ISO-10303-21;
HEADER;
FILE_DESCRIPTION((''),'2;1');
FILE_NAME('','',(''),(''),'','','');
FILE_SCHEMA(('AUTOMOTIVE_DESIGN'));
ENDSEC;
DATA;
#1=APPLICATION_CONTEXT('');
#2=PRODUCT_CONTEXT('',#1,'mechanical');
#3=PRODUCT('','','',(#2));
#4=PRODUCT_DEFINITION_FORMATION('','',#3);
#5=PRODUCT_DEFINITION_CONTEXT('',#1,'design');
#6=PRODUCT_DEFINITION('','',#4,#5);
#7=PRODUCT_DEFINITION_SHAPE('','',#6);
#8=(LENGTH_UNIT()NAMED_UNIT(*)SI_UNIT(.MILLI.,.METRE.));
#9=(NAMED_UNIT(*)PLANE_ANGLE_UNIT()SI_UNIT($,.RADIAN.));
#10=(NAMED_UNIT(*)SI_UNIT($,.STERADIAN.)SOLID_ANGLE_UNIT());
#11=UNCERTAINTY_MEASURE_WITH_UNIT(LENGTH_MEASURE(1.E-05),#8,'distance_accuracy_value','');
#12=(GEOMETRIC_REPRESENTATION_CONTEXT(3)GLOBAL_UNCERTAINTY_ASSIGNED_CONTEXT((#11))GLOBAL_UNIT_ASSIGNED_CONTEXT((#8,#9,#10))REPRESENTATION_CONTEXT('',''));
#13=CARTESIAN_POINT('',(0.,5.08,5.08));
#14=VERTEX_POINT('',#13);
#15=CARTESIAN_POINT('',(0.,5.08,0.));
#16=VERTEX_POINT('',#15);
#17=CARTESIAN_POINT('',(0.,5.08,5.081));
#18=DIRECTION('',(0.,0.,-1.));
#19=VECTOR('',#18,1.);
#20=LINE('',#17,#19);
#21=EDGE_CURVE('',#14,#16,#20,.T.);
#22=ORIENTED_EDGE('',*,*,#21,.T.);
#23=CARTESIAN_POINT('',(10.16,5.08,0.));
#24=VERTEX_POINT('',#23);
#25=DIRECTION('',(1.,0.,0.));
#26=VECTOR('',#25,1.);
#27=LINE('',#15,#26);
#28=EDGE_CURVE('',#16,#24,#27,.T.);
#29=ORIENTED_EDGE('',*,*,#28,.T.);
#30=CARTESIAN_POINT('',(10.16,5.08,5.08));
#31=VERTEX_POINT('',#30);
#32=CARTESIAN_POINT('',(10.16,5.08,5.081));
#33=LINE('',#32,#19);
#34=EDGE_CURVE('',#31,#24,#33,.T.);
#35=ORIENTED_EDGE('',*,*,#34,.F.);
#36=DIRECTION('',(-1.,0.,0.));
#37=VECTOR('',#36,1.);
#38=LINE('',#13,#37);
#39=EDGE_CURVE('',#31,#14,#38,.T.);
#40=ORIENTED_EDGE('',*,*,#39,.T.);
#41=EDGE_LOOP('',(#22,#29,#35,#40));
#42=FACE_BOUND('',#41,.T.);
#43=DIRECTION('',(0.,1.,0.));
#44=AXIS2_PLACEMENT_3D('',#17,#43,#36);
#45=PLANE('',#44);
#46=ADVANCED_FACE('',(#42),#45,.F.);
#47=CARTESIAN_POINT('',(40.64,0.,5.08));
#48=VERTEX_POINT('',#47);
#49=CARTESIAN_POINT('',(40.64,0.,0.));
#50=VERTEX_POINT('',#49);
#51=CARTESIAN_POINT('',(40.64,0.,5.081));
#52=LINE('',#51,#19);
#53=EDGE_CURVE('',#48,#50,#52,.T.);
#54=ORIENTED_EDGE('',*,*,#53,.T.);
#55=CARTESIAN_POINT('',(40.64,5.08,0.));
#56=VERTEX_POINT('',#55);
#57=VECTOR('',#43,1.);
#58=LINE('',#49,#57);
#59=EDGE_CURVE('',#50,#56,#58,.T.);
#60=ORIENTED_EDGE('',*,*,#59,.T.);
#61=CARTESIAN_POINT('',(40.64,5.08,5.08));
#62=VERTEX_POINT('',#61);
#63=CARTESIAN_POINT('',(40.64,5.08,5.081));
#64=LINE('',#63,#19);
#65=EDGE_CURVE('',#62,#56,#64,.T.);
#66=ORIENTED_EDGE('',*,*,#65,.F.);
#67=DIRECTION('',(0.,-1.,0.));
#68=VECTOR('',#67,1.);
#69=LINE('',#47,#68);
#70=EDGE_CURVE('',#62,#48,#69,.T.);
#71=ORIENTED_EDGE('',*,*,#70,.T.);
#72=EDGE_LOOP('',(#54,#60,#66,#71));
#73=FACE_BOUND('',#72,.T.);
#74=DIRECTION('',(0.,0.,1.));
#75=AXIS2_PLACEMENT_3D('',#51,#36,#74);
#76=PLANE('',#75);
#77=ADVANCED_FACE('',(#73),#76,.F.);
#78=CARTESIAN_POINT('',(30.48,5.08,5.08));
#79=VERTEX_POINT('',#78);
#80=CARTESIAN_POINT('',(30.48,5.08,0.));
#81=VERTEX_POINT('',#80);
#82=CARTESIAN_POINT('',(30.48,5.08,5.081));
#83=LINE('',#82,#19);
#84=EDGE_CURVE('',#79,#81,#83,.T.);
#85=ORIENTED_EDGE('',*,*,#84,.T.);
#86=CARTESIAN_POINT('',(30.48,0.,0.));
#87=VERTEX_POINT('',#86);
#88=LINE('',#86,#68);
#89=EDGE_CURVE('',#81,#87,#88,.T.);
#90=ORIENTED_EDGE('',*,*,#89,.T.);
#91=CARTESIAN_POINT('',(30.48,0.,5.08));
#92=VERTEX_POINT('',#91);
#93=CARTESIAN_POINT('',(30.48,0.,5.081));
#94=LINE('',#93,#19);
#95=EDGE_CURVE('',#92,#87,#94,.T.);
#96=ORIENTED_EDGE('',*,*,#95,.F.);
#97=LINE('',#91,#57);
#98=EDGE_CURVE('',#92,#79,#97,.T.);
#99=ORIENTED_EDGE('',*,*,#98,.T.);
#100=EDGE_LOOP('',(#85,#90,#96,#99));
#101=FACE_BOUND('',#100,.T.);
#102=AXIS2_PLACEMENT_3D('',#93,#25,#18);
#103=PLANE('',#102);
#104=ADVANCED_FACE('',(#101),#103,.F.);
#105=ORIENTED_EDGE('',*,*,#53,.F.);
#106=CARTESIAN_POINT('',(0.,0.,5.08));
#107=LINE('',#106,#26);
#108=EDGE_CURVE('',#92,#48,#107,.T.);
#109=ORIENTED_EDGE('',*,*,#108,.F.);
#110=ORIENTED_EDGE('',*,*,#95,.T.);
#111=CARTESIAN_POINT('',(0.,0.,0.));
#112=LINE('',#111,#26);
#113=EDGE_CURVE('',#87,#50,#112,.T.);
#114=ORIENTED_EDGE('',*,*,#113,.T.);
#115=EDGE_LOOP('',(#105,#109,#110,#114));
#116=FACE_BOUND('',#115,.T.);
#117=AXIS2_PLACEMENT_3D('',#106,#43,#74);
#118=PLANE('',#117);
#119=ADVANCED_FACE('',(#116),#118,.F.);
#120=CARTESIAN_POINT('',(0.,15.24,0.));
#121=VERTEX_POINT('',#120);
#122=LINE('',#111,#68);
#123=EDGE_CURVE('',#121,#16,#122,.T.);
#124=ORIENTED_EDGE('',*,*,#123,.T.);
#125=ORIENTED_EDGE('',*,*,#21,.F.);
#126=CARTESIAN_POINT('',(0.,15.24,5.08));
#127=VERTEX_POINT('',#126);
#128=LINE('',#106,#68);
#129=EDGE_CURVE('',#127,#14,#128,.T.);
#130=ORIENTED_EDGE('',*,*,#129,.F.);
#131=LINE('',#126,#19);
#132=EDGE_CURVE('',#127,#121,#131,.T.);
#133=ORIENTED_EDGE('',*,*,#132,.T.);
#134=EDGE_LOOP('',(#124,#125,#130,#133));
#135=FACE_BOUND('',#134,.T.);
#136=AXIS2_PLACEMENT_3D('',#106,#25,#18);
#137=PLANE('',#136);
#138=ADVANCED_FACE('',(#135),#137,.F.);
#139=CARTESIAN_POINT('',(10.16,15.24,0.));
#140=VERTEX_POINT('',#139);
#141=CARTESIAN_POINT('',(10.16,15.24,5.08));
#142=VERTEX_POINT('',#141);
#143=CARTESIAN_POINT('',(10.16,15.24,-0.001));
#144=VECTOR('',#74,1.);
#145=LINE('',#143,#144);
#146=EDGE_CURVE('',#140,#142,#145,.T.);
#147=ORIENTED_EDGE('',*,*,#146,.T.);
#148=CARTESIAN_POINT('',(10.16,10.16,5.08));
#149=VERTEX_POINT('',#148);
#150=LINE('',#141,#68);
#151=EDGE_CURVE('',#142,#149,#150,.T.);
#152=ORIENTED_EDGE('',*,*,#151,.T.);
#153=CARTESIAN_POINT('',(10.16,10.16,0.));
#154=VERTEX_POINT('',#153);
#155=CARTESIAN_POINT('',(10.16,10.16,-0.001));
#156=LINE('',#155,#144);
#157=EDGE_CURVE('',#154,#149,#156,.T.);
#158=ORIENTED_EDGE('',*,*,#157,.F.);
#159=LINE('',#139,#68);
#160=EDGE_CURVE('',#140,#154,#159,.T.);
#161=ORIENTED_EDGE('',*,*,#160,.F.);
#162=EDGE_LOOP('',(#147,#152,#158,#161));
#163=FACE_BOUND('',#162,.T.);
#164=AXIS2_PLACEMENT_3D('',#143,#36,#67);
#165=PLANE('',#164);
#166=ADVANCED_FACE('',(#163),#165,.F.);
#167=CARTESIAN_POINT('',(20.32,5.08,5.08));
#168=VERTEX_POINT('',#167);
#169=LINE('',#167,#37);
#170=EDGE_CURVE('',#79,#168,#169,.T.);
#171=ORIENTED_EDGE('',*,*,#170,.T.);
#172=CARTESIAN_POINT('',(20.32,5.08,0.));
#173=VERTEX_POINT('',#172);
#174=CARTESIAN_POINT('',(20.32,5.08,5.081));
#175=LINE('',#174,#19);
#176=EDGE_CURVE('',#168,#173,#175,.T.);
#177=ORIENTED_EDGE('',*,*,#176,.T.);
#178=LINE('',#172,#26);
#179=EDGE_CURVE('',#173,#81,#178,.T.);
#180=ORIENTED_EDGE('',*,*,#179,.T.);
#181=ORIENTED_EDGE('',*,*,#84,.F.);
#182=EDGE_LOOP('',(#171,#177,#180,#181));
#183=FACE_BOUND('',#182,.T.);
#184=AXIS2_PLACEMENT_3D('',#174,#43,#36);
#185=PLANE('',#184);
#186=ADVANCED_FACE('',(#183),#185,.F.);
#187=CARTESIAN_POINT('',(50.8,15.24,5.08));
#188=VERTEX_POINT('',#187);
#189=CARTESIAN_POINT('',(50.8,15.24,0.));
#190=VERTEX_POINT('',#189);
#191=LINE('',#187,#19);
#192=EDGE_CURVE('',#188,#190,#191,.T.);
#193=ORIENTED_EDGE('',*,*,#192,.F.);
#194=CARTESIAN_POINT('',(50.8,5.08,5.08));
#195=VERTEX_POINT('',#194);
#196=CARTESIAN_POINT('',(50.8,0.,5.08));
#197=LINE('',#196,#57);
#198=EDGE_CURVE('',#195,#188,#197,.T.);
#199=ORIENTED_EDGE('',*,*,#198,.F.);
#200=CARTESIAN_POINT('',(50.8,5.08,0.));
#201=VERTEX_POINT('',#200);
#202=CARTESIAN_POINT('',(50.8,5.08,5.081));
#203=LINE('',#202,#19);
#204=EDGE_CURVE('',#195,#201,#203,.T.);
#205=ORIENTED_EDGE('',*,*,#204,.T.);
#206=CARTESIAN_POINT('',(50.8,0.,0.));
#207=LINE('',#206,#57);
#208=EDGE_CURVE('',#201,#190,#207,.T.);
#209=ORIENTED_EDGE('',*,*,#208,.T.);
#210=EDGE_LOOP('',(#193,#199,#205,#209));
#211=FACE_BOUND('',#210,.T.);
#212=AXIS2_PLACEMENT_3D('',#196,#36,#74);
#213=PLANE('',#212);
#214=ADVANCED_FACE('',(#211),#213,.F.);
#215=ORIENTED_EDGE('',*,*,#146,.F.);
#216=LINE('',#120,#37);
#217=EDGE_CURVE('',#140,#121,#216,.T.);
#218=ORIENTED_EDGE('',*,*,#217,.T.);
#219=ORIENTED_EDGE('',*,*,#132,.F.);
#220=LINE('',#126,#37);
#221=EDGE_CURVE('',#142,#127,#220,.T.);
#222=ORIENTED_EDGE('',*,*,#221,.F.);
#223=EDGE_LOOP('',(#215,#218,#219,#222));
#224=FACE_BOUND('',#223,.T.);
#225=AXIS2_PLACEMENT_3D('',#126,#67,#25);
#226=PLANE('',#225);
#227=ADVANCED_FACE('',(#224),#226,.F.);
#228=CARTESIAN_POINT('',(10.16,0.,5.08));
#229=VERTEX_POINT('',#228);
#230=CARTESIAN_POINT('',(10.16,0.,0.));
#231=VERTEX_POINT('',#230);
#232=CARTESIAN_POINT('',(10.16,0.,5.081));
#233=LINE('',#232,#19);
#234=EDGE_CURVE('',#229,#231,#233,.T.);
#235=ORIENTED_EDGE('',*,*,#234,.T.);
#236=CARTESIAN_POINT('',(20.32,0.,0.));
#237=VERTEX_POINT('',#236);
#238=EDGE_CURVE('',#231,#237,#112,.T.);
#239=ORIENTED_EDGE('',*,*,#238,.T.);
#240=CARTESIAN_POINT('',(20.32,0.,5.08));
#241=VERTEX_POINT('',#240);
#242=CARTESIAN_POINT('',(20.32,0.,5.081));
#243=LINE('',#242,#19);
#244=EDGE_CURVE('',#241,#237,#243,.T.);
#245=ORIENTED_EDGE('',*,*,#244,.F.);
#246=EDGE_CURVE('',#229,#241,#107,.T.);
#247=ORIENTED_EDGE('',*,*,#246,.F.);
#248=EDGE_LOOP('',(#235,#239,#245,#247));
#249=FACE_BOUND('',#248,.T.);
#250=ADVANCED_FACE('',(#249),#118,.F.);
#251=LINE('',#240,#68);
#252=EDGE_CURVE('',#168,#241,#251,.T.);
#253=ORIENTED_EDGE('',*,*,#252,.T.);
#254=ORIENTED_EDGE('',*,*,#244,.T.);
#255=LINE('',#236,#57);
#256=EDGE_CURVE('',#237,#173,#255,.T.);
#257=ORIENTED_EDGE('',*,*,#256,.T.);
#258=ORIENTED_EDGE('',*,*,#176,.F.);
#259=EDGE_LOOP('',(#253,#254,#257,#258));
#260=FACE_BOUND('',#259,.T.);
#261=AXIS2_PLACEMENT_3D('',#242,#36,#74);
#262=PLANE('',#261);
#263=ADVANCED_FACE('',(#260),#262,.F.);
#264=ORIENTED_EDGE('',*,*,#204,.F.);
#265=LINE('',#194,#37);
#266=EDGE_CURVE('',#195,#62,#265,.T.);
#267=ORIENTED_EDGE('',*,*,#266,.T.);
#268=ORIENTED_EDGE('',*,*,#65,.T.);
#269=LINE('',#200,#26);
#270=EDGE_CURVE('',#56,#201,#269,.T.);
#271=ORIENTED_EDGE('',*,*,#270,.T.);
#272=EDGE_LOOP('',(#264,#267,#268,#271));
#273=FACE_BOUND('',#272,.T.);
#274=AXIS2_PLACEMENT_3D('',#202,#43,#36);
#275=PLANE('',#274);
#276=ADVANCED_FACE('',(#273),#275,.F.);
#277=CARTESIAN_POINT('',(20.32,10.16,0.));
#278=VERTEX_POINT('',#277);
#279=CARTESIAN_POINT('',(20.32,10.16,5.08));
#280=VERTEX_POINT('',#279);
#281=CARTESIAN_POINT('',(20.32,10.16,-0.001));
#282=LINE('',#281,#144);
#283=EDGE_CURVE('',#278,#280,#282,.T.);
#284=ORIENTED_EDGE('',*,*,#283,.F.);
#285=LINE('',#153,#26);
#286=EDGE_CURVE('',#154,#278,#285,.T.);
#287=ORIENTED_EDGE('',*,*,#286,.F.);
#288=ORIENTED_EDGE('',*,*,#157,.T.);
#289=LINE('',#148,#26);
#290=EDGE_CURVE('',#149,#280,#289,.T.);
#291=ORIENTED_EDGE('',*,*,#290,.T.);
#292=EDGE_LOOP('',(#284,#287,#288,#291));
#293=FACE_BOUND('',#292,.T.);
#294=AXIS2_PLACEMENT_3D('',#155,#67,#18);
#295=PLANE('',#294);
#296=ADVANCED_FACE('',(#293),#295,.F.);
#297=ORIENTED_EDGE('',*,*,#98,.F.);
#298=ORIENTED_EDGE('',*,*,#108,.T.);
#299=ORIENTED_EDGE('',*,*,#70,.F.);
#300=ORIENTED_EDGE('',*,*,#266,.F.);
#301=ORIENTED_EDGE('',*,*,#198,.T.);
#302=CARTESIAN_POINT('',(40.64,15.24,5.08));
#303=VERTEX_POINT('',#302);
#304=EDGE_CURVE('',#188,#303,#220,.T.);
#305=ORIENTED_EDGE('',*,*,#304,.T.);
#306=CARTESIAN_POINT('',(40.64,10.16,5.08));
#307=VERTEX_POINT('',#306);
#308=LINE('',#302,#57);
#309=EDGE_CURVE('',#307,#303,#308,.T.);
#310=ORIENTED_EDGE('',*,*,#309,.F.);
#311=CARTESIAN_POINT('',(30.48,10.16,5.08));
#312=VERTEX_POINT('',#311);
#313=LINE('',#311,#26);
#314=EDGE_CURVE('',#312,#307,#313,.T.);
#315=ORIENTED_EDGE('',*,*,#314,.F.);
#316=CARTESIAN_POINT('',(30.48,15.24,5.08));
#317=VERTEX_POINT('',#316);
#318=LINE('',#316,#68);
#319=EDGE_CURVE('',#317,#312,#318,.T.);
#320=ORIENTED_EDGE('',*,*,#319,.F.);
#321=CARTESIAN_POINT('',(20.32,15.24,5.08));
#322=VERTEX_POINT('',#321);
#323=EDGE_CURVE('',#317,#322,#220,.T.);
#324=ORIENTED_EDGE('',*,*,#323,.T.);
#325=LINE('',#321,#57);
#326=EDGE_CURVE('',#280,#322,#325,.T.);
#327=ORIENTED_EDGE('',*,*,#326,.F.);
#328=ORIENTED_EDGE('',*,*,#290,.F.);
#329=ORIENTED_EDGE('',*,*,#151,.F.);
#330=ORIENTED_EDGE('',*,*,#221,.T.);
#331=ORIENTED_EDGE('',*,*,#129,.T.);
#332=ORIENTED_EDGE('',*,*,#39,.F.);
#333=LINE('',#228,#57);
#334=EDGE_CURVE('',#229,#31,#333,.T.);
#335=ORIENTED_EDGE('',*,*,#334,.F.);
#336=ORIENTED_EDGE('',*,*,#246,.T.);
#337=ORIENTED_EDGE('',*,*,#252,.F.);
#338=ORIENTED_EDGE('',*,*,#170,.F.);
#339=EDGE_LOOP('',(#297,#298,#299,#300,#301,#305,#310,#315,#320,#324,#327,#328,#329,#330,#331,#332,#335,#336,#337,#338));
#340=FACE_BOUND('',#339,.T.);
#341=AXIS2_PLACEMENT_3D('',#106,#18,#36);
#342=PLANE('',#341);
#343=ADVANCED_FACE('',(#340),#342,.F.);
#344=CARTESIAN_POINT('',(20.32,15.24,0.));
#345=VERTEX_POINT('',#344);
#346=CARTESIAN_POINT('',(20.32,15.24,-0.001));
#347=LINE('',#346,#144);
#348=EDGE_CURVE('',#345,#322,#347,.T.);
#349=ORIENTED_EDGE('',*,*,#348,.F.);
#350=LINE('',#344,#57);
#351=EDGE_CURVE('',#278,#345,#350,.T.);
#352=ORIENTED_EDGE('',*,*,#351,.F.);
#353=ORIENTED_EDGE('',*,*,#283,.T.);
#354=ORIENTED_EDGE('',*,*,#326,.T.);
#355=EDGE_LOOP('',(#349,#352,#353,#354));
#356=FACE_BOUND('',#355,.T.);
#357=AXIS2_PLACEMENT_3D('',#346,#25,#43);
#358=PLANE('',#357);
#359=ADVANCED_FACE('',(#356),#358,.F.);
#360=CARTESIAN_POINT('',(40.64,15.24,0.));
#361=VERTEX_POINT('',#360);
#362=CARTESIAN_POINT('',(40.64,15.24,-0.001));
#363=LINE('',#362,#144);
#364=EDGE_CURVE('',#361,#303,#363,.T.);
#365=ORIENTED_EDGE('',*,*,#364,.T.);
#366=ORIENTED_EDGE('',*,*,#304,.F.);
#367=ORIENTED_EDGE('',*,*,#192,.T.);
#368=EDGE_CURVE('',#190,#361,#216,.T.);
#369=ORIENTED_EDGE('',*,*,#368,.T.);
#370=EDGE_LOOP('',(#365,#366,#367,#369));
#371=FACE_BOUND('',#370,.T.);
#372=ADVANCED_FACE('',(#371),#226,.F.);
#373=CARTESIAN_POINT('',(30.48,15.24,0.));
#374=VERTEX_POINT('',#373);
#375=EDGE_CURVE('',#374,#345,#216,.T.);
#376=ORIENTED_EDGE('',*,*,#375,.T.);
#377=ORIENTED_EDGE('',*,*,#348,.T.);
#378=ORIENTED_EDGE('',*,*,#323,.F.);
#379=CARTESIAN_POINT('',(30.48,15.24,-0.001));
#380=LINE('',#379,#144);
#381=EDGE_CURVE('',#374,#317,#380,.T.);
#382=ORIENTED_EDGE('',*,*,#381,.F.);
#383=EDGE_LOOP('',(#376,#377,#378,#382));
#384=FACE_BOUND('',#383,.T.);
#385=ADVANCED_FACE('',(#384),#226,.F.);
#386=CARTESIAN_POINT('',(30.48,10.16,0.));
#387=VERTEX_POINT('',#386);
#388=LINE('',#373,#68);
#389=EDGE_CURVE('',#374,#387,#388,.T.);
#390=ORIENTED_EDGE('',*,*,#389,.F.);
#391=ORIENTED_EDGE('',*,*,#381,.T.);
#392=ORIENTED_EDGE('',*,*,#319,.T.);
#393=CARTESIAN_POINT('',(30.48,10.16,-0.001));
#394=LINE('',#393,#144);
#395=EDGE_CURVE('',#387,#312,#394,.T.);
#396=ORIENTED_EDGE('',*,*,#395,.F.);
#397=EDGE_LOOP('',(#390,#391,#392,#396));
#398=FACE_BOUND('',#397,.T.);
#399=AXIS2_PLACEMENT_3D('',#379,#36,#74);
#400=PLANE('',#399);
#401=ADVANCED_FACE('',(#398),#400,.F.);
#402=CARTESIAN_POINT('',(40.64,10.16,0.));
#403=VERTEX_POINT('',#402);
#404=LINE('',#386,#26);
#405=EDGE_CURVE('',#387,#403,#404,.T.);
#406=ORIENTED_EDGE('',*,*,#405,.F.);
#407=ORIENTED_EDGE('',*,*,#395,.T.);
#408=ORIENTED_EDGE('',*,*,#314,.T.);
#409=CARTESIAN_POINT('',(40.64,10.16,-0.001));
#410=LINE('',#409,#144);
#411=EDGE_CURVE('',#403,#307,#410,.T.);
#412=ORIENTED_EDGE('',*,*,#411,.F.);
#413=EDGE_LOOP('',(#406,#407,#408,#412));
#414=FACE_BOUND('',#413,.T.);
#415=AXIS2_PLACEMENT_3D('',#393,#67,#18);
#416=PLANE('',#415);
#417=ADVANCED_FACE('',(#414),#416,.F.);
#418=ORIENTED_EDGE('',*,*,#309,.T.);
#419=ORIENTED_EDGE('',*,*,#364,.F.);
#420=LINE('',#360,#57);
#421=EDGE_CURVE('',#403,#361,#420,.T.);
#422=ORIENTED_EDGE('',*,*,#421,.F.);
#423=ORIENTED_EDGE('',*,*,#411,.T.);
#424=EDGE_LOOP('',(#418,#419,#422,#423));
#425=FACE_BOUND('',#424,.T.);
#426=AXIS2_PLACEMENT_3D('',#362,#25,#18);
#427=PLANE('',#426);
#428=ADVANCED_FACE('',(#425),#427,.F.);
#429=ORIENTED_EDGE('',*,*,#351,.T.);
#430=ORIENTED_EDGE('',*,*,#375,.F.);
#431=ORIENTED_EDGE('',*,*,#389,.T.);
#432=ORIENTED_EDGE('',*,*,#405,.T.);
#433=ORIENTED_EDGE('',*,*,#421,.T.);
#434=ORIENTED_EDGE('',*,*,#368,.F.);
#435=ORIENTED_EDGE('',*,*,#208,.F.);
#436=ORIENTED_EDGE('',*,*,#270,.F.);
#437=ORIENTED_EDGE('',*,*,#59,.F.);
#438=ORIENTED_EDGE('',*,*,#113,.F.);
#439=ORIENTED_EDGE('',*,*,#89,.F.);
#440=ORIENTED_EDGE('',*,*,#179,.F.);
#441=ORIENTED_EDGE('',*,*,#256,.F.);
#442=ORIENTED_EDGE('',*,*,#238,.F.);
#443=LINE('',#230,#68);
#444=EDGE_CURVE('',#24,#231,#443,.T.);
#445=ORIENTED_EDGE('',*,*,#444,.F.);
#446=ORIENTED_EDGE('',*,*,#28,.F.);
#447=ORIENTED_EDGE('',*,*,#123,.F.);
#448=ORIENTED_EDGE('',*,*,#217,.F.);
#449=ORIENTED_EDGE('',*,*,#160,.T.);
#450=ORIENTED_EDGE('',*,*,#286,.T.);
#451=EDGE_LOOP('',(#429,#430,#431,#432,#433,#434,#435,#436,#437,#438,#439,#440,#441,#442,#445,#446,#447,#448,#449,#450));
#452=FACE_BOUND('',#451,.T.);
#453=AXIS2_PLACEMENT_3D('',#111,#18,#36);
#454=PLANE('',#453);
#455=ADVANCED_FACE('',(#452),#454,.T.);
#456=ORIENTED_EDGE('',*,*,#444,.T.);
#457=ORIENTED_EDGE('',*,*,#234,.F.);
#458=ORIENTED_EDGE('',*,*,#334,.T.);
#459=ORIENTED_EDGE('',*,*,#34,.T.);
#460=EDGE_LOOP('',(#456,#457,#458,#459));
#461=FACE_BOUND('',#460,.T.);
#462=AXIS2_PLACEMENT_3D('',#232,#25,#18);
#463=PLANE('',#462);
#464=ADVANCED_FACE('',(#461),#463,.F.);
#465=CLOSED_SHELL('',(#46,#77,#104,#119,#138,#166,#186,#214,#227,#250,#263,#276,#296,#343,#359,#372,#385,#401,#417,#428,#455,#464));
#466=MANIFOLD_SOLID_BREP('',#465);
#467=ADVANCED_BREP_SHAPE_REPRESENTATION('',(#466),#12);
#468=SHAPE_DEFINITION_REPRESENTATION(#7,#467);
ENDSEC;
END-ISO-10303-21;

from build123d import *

# Parameters (mm, degrees)
SKETCH1_W           = 50.8
SKETCH1_H           = 15.24
BOSS_EXTRUDE1_DEPTH = 5.08
CUT_EXTRUDE2_REACH  = 7.08
SKETCH3_W           = 10.16
SKETCH3_H           = 5.08
CUT_EXTRUDE3_REACH  = 7.08
SKETCH4_W           = 10.16
SKETCH4_H           = 5.08


with BuildPart() as part:
    # Sketch1 → Boss-Extrude1 (new body)
    with BuildSketch(Plane.XY):
        with Locations((25.4, 7.62)):
            Rectangle(SKETCH1_W, SKETCH1_H)
    extrude(amount=BOSS_EXTRUDE1_DEPTH)

    # Sketch3 → Cut-Extrude2 (cut, up to next)
    with BuildSketch(Plane(origin=(0, 0, 0), x_dir=(-1, 0, 0), z_dir=(0, 0, -1)), mode=Mode.PRIVATE) as cut_extrude2_sk1:
        with Locations((-5.08, 2.54)):
            Rectangle(SKETCH3_W, SKETCH3_H)
    cut_extrude2_tool1 = extrude(cut_extrude2_sk1.sketch, amount=-CUT_EXTRUDE2_REACH, mode=Mode.PRIVATE) & part.part
    add(cut_extrude2_tool1.solids().sort_by_distance((5.08, 2.54, 0))[0], mode=Mode.SUBTRACT)
    # Sketch3 → Cut-Extrude2 (cut, up to next)
    with BuildSketch(Plane(origin=(0, 0, 0), x_dir=(-1, 0, 0), z_dir=(0, 0, -1)), mode=Mode.PRIVATE) as cut_extrude2_sk2:
        with Locations((-25.4, 2.54)):
            Rectangle(SKETCH3_W, SKETCH3_H)
    cut_extrude2_tool2 = extrude(cut_extrude2_sk2.sketch, amount=-CUT_EXTRUDE2_REACH, mode=Mode.PRIVATE) & part.part
    add(cut_extrude2_tool2.solids().sort_by_distance((25.4, 2.54, 0))[0], mode=Mode.SUBTRACT)
    # Sketch3 → Cut-Extrude2 (cut, up to next)
    with BuildSketch(Plane(origin=(0, 0, 0), x_dir=(-1, 0, 0), z_dir=(0, 0, -1)), mode=Mode.PRIVATE) as cut_extrude2_sk3:
        with Locations((-45.72, 2.54)):
            Rectangle(SKETCH3_W, SKETCH3_H)
    cut_extrude2_tool3 = extrude(cut_extrude2_sk3.sketch, amount=-CUT_EXTRUDE2_REACH, mode=Mode.PRIVATE) & part.part
    add(cut_extrude2_tool3.solids().sort_by_distance((45.72, 2.54, 0))[0], mode=Mode.SUBTRACT)

    # Sketch4 → Cut-Extrude3 (cut, up to next)
    with BuildSketch(Plane.XY.offset(5.08), mode=Mode.PRIVATE) as cut_extrude3_sk1:
        with Locations((15.24, 12.7)):
            Rectangle(SKETCH4_W, SKETCH4_H)
    cut_extrude3_tool1 = extrude(cut_extrude3_sk1.sketch, amount=-CUT_EXTRUDE3_REACH, mode=Mode.PRIVATE) & part.part
    add(cut_extrude3_tool1.solids().sort_by_distance((15.24, 12.7, 5.08))[0], mode=Mode.SUBTRACT)
    # Sketch4 → Cut-Extrude3 (cut, up to next)
    with BuildSketch(Plane.XY.offset(5.08), mode=Mode.PRIVATE) as cut_extrude3_sk2:
        with Locations((35.56, 12.7)):
            Rectangle(SKETCH4_W, SKETCH4_H)
    cut_extrude3_tool2 = extrude(cut_extrude3_sk2.sketch, amount=-CUT_EXTRUDE3_REACH, mode=Mode.PRIVATE) & part.part
    add(cut_extrude3_tool2.solids().sort_by_distance((35.56, 12.7, 5.08))[0], mode=Mode.SUBTRACT)


solid = part.part
